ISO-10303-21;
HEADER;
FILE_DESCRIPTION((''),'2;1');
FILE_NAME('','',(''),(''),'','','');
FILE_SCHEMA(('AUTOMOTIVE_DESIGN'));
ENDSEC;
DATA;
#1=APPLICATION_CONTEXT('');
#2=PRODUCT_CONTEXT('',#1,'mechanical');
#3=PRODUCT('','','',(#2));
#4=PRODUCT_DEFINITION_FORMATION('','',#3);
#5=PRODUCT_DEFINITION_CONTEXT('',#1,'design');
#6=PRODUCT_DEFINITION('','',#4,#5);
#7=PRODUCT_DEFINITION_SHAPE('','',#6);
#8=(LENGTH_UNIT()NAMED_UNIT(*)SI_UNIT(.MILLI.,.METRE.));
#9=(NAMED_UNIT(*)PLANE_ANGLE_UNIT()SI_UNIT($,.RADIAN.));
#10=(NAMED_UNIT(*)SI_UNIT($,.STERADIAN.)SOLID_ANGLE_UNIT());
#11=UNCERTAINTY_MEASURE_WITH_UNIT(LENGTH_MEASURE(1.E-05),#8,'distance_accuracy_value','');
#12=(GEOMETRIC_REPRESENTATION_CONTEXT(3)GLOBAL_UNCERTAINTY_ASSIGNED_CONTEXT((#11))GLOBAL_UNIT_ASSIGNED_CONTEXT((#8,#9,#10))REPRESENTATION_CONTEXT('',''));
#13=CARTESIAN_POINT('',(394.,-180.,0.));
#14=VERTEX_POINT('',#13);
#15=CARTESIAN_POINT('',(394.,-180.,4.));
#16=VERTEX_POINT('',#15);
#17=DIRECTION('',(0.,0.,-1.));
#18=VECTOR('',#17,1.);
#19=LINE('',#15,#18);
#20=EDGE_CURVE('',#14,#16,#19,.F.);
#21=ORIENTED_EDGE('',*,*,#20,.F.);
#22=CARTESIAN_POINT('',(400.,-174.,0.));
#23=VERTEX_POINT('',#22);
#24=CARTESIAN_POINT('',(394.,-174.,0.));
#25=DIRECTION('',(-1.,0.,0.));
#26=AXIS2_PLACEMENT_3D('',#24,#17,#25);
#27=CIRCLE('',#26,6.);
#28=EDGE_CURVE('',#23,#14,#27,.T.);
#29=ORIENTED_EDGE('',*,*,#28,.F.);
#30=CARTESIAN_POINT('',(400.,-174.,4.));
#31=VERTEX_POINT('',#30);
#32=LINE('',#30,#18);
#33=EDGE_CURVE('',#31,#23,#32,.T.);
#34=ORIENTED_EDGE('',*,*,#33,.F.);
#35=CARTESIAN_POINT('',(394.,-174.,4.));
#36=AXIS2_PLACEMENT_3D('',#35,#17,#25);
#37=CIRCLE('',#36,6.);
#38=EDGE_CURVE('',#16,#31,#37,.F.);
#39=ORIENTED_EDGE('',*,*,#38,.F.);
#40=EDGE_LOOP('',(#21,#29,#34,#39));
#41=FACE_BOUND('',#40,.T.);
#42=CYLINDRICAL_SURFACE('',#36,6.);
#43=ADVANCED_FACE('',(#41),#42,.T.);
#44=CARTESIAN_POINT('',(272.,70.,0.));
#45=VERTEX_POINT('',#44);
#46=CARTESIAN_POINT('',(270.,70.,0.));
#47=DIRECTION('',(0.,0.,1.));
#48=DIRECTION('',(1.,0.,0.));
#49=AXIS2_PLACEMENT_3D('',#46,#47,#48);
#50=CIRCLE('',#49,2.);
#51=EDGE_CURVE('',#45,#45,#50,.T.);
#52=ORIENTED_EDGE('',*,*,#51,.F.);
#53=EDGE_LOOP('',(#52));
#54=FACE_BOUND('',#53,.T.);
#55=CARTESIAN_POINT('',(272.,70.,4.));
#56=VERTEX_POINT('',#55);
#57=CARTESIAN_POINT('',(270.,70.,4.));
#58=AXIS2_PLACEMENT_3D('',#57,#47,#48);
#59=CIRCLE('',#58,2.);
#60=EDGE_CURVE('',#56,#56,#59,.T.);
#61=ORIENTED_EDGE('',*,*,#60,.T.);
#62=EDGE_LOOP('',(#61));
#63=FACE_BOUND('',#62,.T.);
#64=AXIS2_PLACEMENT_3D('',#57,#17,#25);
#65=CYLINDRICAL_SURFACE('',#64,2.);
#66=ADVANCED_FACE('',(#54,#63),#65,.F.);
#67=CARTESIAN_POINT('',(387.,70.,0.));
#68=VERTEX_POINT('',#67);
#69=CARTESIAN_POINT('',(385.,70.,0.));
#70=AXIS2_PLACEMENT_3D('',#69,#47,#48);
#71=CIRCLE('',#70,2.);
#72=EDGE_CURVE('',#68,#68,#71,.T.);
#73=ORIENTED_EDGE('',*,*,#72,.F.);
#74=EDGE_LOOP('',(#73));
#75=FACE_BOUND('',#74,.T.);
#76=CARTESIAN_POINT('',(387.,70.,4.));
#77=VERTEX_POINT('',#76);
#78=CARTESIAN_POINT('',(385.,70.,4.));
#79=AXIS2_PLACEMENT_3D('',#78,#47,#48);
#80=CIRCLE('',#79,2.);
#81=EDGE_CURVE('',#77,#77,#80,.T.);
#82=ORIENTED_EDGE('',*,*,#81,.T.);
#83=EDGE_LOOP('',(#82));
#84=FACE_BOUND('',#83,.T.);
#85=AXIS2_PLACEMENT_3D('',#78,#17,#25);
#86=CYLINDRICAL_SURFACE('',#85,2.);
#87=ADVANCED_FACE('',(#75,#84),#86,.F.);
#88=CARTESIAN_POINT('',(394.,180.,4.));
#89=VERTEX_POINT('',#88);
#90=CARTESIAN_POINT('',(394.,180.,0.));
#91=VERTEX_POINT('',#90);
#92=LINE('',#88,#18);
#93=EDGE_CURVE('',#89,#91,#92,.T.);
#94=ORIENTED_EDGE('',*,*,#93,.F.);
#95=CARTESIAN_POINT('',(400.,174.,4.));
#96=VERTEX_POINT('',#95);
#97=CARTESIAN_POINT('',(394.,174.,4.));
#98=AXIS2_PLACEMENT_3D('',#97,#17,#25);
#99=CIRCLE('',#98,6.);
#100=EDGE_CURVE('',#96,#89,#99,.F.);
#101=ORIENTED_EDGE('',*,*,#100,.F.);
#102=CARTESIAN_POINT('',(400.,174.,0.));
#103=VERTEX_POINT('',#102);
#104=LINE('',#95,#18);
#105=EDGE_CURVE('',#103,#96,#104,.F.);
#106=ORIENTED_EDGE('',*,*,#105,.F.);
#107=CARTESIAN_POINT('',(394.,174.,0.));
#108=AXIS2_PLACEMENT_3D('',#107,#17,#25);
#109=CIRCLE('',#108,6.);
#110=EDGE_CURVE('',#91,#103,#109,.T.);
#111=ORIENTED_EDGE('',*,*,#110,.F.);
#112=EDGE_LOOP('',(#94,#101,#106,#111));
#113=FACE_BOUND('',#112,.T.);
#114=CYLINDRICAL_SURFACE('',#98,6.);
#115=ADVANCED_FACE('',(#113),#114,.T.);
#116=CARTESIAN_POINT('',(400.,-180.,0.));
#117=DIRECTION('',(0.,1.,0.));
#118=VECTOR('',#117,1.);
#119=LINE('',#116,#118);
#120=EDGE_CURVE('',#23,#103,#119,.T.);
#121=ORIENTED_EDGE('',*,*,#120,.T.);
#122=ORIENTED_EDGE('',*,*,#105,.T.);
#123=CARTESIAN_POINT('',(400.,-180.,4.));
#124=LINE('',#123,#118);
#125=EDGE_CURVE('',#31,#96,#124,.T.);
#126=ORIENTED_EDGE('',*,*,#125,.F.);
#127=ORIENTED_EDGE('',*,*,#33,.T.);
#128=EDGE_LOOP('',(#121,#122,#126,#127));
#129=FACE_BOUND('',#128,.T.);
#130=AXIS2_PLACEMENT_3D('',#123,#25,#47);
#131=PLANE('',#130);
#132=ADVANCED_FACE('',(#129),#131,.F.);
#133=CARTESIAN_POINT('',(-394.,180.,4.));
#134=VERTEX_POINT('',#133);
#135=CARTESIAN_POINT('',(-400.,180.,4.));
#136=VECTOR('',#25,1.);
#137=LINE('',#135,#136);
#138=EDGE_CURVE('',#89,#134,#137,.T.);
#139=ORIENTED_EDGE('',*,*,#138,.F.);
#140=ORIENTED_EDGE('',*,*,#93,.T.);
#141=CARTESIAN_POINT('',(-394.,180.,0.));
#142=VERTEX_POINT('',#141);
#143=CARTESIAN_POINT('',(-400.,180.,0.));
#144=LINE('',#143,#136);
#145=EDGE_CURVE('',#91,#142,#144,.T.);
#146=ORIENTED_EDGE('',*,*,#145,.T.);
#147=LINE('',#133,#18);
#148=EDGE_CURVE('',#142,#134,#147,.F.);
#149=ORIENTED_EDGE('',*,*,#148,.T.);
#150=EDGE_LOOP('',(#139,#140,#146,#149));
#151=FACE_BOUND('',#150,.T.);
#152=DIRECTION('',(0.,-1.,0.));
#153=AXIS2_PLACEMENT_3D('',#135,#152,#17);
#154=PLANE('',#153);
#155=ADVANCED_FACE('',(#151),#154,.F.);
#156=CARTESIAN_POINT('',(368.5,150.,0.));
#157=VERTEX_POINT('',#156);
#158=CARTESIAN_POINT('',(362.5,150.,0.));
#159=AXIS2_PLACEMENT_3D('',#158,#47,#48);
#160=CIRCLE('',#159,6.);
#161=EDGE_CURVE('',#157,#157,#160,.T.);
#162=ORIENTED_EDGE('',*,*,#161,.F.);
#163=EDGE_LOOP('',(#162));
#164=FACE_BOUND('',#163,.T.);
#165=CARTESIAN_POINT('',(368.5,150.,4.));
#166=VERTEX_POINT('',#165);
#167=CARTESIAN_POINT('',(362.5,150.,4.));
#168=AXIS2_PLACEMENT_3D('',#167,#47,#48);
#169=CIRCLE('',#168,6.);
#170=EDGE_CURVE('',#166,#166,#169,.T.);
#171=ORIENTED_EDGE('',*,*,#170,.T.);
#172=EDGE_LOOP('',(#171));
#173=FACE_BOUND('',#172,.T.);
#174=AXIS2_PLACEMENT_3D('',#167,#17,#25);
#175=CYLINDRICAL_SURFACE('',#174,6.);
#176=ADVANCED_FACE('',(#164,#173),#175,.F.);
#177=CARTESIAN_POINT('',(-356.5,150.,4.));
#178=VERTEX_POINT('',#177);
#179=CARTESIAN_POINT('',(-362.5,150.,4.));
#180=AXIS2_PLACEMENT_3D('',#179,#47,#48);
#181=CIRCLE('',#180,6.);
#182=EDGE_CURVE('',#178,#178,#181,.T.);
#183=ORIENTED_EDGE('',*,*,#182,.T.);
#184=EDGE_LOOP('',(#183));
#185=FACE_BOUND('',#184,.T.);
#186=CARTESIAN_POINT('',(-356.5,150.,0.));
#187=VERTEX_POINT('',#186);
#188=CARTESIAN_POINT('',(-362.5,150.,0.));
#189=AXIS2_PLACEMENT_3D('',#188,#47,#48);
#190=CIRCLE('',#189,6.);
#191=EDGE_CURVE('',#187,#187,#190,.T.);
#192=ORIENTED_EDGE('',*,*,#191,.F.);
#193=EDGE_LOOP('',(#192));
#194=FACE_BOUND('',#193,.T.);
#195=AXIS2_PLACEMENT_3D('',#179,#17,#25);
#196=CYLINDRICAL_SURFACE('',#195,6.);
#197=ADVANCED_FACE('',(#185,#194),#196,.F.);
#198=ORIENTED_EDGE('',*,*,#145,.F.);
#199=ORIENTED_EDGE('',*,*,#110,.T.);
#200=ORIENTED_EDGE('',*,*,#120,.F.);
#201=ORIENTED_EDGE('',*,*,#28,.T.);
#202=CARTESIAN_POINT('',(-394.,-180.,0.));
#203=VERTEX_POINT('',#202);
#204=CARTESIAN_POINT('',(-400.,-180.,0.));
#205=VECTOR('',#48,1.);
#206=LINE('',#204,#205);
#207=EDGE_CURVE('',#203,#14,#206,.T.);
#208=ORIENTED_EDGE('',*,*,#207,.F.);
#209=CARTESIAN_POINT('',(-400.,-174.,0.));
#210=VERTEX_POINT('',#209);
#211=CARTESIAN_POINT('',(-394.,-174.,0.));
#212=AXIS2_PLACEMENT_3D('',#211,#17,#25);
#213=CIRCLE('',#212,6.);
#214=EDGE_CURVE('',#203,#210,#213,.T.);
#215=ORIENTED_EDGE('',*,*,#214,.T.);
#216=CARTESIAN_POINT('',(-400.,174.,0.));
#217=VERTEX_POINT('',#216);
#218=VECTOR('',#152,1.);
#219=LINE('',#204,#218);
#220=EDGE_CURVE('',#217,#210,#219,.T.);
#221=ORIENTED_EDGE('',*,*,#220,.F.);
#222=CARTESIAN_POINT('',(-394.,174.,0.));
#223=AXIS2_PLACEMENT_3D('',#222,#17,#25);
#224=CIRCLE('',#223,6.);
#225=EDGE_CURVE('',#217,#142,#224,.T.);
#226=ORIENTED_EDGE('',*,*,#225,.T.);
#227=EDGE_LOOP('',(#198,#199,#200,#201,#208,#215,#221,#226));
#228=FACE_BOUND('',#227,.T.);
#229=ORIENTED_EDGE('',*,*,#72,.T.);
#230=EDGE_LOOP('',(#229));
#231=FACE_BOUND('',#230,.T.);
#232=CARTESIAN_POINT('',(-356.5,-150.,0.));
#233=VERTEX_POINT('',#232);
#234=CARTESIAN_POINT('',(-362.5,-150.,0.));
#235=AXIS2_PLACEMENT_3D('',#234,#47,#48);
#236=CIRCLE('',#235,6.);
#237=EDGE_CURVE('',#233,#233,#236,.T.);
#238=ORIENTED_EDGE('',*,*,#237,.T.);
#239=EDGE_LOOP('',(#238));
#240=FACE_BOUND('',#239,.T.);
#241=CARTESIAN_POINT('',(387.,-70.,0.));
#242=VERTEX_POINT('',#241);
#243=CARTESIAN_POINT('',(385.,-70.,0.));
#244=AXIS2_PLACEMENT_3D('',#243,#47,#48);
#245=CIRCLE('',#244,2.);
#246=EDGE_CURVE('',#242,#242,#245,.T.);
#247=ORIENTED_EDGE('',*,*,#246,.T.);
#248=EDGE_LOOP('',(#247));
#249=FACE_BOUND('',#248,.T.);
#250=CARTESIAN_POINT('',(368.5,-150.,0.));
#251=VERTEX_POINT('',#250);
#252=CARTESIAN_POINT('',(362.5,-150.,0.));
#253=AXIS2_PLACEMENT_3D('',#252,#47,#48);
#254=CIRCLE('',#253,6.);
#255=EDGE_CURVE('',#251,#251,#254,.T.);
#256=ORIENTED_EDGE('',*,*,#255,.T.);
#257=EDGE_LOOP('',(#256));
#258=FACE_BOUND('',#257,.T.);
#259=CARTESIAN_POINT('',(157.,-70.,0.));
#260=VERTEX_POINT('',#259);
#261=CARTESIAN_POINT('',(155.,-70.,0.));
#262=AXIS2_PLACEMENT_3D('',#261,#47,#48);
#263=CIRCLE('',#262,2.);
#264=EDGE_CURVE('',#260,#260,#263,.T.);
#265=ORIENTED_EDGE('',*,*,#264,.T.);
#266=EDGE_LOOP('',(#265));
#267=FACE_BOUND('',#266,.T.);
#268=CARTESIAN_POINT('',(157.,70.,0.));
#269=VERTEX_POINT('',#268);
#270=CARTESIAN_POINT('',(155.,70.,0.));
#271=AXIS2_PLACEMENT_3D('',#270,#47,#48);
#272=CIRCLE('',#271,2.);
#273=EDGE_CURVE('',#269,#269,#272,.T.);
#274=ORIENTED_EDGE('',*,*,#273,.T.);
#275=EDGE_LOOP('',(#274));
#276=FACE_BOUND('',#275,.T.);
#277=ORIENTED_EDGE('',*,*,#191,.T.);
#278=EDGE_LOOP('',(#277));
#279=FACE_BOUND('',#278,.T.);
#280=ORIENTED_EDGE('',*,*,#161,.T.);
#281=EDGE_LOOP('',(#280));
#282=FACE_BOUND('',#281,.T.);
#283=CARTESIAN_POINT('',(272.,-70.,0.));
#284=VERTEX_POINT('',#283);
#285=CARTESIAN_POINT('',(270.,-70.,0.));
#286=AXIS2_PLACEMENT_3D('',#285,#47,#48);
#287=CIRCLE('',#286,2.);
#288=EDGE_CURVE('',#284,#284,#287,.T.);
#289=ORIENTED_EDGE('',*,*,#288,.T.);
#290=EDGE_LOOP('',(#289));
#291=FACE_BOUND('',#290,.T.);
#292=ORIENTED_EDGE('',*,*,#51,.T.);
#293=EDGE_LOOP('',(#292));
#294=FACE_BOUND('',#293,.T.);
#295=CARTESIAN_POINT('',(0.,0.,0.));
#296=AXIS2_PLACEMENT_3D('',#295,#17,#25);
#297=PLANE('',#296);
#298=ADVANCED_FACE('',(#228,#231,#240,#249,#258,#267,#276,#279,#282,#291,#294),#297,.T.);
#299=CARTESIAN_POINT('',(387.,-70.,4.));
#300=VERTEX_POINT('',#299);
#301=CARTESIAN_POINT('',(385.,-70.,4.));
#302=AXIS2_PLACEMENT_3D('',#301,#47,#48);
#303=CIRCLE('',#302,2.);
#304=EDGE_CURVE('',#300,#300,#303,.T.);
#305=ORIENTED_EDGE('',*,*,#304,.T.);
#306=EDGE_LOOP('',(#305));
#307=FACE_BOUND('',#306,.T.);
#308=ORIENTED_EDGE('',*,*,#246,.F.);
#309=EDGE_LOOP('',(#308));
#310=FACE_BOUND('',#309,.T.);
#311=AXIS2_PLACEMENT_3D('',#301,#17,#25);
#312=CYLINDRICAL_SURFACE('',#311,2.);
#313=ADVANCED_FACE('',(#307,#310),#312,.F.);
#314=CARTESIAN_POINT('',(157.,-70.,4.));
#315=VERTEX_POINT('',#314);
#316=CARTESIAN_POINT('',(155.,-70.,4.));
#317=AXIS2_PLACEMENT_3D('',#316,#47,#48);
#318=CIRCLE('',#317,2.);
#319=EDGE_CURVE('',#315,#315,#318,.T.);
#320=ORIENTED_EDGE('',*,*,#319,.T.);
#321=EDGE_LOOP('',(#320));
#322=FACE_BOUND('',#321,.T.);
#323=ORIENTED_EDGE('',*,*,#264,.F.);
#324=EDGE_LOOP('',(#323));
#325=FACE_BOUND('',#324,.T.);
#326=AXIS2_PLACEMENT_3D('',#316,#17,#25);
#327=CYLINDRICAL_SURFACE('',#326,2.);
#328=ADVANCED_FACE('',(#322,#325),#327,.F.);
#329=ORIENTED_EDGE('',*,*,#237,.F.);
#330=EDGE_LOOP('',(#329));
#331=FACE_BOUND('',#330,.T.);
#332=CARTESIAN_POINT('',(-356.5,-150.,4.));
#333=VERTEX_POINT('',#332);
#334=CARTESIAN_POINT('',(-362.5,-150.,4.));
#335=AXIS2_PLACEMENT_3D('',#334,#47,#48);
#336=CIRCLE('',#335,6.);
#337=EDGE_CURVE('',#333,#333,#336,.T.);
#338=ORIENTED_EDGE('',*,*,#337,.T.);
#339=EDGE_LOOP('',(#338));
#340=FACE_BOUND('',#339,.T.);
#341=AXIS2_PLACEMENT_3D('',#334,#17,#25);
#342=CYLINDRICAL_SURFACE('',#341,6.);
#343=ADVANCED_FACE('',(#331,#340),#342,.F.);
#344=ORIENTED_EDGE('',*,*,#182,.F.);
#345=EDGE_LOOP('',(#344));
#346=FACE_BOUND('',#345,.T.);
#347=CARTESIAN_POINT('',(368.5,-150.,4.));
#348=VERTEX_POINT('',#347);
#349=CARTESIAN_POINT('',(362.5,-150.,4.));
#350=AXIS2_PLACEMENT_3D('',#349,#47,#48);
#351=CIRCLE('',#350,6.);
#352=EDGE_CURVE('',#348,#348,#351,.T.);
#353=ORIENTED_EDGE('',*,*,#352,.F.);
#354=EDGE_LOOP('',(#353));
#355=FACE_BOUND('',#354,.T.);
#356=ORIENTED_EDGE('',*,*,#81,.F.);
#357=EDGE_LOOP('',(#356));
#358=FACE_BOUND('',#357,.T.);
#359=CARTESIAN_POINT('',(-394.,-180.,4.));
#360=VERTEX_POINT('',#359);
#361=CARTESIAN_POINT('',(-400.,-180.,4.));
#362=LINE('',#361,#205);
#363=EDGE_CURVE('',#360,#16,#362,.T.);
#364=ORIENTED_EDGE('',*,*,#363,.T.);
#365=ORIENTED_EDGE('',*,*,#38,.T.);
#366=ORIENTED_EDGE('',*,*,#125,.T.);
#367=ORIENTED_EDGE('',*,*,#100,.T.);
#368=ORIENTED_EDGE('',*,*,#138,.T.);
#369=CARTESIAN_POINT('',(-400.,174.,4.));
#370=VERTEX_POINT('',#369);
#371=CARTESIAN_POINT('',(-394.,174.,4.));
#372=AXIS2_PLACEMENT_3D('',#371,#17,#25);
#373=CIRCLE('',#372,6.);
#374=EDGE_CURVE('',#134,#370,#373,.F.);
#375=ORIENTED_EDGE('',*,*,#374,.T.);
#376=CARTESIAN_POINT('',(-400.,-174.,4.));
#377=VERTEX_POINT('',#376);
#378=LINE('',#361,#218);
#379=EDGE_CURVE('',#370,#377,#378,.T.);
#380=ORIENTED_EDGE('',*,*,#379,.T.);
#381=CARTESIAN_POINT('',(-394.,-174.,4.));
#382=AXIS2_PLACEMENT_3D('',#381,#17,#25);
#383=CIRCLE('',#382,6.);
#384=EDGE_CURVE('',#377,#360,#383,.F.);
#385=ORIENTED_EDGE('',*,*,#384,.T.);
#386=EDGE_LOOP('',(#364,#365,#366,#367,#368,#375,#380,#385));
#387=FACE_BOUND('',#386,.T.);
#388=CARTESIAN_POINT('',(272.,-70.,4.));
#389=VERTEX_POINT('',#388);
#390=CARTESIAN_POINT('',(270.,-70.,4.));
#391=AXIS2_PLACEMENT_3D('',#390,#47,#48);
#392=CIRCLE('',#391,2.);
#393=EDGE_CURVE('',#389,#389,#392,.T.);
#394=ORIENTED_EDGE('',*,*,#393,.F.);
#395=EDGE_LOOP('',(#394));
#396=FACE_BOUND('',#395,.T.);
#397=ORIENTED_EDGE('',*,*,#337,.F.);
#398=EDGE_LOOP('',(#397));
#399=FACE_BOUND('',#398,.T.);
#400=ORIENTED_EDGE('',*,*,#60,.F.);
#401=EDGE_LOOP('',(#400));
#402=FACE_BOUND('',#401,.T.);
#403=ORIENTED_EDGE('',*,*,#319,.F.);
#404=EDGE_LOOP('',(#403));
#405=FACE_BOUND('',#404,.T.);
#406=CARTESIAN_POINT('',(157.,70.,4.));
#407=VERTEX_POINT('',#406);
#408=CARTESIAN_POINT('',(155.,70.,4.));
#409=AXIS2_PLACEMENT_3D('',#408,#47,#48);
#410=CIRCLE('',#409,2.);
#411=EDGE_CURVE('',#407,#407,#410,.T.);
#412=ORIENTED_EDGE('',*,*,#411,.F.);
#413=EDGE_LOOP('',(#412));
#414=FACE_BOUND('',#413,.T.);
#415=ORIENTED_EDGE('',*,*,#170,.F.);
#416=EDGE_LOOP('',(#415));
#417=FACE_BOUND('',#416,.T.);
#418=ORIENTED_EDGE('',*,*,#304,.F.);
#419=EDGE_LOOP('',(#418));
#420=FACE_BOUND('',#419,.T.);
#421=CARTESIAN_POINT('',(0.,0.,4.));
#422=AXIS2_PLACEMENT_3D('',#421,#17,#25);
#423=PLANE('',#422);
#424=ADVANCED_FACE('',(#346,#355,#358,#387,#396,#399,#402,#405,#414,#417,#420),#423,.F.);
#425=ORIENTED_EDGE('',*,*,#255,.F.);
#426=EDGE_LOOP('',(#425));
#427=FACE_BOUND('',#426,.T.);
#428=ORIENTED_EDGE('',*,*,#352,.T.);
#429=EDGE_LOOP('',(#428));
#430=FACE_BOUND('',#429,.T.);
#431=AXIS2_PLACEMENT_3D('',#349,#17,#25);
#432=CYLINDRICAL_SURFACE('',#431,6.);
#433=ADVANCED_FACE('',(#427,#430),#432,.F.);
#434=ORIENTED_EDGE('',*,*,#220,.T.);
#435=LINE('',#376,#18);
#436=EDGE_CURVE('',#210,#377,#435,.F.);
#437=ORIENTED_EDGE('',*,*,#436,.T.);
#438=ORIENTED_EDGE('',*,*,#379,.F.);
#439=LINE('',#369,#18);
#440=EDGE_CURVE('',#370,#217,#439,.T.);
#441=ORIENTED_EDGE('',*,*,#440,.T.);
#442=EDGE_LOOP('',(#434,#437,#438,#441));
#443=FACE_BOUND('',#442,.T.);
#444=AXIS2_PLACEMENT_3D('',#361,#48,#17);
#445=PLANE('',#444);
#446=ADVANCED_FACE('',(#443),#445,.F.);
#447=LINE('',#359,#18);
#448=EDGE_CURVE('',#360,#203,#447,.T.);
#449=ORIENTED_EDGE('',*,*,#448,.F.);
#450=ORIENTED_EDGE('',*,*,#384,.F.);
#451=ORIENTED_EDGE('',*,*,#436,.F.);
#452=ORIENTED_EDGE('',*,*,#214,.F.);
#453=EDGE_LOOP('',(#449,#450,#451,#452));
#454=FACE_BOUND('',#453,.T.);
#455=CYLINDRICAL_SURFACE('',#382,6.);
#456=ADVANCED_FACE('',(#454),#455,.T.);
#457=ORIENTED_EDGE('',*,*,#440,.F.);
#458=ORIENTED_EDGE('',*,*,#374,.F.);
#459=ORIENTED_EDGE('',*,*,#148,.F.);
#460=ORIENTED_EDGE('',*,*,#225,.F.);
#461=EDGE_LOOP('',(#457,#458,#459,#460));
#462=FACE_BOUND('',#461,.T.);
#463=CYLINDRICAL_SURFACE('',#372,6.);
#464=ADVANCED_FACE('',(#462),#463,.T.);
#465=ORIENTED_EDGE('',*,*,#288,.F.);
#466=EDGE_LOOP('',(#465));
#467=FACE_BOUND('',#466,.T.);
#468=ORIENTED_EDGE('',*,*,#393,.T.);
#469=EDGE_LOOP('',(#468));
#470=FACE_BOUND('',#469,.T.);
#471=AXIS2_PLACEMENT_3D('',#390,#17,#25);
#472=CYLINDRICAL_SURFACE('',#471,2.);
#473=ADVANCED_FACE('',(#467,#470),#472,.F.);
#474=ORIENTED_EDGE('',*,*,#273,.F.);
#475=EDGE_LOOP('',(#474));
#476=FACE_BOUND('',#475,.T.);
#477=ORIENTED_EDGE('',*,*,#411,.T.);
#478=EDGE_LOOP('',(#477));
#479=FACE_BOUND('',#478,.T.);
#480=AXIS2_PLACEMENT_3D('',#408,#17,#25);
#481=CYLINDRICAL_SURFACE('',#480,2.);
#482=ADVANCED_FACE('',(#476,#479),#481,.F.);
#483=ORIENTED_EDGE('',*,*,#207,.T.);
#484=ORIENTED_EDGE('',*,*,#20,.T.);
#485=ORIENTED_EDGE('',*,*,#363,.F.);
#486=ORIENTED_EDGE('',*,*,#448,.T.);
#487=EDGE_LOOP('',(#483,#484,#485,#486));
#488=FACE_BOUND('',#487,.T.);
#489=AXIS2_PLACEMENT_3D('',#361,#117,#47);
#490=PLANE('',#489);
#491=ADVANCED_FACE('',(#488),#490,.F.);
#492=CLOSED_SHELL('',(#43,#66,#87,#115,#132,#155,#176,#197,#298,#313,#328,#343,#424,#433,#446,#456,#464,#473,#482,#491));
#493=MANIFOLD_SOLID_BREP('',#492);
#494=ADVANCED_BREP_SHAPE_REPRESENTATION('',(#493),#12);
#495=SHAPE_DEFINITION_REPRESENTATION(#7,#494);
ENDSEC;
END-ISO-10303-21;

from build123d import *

# Parameters (mm, degrees)
SKETCH_1_W      = 800
SKETCH_1_H      = 360
SKETCH_1_R      = 6
SKETCH_1_R_2    = 2
EXTRUDE_1_DEPTH = 4
FILLET_1_R      = 6


with BuildPart() as part:
    # 草图1 → 凸台-拉伸1 (new body)
    with BuildSketch(Plane.XY):
        Rectangle(SKETCH_1_W, SKETCH_1_H)
        with Locations((-362.5, 150)):
            Circle(SKETCH_1_R, mode=Mode.SUBTRACT)
        with Locations((-362.5, -150)):
            Circle(SKETCH_1_R, mode=Mode.SUBTRACT)
        with Locations((362.5, -150)):
            Circle(SKETCH_1_R, mode=Mode.SUBTRACT)
        with Locations((362.5, 150)):
            Circle(SKETCH_1_R, mode=Mode.SUBTRACT)
        with Locations((155, 70)):
            Circle(SKETCH_1_R_2, mode=Mode.SUBTRACT)
        with Locations((270, 70)):
            Circle(SKETCH_1_R_2, mode=Mode.SUBTRACT)
        with Locations((385, 70)):
            Circle(SKETCH_1_R_2, mode=Mode.SUBTRACT)
        with Locations((385, -70)):
            Circle(SKETCH_1_R_2, mode=Mode.SUBTRACT)
        with Locations((270, -70)):
            Circle(SKETCH_1_R_2, mode=Mode.SUBTRACT)
        with Locations((155, -70)):
            Circle(SKETCH_1_R_2, mode=Mode.SUBTRACT)
    extrude(amount=EXTRUDE_1_DEPTH)

    # 圆角1
    fillet_1_edges = [part.edges().sort_by_distance(p)[0] for p in [
        (400, -180, 2),
        (-400, -180, 2),
        (-400, 180, 2),
        (400, 180, 2),
    ]]
    fillet(fillet_1_edges, radius=FILLET_1_R)


solid = part.part
